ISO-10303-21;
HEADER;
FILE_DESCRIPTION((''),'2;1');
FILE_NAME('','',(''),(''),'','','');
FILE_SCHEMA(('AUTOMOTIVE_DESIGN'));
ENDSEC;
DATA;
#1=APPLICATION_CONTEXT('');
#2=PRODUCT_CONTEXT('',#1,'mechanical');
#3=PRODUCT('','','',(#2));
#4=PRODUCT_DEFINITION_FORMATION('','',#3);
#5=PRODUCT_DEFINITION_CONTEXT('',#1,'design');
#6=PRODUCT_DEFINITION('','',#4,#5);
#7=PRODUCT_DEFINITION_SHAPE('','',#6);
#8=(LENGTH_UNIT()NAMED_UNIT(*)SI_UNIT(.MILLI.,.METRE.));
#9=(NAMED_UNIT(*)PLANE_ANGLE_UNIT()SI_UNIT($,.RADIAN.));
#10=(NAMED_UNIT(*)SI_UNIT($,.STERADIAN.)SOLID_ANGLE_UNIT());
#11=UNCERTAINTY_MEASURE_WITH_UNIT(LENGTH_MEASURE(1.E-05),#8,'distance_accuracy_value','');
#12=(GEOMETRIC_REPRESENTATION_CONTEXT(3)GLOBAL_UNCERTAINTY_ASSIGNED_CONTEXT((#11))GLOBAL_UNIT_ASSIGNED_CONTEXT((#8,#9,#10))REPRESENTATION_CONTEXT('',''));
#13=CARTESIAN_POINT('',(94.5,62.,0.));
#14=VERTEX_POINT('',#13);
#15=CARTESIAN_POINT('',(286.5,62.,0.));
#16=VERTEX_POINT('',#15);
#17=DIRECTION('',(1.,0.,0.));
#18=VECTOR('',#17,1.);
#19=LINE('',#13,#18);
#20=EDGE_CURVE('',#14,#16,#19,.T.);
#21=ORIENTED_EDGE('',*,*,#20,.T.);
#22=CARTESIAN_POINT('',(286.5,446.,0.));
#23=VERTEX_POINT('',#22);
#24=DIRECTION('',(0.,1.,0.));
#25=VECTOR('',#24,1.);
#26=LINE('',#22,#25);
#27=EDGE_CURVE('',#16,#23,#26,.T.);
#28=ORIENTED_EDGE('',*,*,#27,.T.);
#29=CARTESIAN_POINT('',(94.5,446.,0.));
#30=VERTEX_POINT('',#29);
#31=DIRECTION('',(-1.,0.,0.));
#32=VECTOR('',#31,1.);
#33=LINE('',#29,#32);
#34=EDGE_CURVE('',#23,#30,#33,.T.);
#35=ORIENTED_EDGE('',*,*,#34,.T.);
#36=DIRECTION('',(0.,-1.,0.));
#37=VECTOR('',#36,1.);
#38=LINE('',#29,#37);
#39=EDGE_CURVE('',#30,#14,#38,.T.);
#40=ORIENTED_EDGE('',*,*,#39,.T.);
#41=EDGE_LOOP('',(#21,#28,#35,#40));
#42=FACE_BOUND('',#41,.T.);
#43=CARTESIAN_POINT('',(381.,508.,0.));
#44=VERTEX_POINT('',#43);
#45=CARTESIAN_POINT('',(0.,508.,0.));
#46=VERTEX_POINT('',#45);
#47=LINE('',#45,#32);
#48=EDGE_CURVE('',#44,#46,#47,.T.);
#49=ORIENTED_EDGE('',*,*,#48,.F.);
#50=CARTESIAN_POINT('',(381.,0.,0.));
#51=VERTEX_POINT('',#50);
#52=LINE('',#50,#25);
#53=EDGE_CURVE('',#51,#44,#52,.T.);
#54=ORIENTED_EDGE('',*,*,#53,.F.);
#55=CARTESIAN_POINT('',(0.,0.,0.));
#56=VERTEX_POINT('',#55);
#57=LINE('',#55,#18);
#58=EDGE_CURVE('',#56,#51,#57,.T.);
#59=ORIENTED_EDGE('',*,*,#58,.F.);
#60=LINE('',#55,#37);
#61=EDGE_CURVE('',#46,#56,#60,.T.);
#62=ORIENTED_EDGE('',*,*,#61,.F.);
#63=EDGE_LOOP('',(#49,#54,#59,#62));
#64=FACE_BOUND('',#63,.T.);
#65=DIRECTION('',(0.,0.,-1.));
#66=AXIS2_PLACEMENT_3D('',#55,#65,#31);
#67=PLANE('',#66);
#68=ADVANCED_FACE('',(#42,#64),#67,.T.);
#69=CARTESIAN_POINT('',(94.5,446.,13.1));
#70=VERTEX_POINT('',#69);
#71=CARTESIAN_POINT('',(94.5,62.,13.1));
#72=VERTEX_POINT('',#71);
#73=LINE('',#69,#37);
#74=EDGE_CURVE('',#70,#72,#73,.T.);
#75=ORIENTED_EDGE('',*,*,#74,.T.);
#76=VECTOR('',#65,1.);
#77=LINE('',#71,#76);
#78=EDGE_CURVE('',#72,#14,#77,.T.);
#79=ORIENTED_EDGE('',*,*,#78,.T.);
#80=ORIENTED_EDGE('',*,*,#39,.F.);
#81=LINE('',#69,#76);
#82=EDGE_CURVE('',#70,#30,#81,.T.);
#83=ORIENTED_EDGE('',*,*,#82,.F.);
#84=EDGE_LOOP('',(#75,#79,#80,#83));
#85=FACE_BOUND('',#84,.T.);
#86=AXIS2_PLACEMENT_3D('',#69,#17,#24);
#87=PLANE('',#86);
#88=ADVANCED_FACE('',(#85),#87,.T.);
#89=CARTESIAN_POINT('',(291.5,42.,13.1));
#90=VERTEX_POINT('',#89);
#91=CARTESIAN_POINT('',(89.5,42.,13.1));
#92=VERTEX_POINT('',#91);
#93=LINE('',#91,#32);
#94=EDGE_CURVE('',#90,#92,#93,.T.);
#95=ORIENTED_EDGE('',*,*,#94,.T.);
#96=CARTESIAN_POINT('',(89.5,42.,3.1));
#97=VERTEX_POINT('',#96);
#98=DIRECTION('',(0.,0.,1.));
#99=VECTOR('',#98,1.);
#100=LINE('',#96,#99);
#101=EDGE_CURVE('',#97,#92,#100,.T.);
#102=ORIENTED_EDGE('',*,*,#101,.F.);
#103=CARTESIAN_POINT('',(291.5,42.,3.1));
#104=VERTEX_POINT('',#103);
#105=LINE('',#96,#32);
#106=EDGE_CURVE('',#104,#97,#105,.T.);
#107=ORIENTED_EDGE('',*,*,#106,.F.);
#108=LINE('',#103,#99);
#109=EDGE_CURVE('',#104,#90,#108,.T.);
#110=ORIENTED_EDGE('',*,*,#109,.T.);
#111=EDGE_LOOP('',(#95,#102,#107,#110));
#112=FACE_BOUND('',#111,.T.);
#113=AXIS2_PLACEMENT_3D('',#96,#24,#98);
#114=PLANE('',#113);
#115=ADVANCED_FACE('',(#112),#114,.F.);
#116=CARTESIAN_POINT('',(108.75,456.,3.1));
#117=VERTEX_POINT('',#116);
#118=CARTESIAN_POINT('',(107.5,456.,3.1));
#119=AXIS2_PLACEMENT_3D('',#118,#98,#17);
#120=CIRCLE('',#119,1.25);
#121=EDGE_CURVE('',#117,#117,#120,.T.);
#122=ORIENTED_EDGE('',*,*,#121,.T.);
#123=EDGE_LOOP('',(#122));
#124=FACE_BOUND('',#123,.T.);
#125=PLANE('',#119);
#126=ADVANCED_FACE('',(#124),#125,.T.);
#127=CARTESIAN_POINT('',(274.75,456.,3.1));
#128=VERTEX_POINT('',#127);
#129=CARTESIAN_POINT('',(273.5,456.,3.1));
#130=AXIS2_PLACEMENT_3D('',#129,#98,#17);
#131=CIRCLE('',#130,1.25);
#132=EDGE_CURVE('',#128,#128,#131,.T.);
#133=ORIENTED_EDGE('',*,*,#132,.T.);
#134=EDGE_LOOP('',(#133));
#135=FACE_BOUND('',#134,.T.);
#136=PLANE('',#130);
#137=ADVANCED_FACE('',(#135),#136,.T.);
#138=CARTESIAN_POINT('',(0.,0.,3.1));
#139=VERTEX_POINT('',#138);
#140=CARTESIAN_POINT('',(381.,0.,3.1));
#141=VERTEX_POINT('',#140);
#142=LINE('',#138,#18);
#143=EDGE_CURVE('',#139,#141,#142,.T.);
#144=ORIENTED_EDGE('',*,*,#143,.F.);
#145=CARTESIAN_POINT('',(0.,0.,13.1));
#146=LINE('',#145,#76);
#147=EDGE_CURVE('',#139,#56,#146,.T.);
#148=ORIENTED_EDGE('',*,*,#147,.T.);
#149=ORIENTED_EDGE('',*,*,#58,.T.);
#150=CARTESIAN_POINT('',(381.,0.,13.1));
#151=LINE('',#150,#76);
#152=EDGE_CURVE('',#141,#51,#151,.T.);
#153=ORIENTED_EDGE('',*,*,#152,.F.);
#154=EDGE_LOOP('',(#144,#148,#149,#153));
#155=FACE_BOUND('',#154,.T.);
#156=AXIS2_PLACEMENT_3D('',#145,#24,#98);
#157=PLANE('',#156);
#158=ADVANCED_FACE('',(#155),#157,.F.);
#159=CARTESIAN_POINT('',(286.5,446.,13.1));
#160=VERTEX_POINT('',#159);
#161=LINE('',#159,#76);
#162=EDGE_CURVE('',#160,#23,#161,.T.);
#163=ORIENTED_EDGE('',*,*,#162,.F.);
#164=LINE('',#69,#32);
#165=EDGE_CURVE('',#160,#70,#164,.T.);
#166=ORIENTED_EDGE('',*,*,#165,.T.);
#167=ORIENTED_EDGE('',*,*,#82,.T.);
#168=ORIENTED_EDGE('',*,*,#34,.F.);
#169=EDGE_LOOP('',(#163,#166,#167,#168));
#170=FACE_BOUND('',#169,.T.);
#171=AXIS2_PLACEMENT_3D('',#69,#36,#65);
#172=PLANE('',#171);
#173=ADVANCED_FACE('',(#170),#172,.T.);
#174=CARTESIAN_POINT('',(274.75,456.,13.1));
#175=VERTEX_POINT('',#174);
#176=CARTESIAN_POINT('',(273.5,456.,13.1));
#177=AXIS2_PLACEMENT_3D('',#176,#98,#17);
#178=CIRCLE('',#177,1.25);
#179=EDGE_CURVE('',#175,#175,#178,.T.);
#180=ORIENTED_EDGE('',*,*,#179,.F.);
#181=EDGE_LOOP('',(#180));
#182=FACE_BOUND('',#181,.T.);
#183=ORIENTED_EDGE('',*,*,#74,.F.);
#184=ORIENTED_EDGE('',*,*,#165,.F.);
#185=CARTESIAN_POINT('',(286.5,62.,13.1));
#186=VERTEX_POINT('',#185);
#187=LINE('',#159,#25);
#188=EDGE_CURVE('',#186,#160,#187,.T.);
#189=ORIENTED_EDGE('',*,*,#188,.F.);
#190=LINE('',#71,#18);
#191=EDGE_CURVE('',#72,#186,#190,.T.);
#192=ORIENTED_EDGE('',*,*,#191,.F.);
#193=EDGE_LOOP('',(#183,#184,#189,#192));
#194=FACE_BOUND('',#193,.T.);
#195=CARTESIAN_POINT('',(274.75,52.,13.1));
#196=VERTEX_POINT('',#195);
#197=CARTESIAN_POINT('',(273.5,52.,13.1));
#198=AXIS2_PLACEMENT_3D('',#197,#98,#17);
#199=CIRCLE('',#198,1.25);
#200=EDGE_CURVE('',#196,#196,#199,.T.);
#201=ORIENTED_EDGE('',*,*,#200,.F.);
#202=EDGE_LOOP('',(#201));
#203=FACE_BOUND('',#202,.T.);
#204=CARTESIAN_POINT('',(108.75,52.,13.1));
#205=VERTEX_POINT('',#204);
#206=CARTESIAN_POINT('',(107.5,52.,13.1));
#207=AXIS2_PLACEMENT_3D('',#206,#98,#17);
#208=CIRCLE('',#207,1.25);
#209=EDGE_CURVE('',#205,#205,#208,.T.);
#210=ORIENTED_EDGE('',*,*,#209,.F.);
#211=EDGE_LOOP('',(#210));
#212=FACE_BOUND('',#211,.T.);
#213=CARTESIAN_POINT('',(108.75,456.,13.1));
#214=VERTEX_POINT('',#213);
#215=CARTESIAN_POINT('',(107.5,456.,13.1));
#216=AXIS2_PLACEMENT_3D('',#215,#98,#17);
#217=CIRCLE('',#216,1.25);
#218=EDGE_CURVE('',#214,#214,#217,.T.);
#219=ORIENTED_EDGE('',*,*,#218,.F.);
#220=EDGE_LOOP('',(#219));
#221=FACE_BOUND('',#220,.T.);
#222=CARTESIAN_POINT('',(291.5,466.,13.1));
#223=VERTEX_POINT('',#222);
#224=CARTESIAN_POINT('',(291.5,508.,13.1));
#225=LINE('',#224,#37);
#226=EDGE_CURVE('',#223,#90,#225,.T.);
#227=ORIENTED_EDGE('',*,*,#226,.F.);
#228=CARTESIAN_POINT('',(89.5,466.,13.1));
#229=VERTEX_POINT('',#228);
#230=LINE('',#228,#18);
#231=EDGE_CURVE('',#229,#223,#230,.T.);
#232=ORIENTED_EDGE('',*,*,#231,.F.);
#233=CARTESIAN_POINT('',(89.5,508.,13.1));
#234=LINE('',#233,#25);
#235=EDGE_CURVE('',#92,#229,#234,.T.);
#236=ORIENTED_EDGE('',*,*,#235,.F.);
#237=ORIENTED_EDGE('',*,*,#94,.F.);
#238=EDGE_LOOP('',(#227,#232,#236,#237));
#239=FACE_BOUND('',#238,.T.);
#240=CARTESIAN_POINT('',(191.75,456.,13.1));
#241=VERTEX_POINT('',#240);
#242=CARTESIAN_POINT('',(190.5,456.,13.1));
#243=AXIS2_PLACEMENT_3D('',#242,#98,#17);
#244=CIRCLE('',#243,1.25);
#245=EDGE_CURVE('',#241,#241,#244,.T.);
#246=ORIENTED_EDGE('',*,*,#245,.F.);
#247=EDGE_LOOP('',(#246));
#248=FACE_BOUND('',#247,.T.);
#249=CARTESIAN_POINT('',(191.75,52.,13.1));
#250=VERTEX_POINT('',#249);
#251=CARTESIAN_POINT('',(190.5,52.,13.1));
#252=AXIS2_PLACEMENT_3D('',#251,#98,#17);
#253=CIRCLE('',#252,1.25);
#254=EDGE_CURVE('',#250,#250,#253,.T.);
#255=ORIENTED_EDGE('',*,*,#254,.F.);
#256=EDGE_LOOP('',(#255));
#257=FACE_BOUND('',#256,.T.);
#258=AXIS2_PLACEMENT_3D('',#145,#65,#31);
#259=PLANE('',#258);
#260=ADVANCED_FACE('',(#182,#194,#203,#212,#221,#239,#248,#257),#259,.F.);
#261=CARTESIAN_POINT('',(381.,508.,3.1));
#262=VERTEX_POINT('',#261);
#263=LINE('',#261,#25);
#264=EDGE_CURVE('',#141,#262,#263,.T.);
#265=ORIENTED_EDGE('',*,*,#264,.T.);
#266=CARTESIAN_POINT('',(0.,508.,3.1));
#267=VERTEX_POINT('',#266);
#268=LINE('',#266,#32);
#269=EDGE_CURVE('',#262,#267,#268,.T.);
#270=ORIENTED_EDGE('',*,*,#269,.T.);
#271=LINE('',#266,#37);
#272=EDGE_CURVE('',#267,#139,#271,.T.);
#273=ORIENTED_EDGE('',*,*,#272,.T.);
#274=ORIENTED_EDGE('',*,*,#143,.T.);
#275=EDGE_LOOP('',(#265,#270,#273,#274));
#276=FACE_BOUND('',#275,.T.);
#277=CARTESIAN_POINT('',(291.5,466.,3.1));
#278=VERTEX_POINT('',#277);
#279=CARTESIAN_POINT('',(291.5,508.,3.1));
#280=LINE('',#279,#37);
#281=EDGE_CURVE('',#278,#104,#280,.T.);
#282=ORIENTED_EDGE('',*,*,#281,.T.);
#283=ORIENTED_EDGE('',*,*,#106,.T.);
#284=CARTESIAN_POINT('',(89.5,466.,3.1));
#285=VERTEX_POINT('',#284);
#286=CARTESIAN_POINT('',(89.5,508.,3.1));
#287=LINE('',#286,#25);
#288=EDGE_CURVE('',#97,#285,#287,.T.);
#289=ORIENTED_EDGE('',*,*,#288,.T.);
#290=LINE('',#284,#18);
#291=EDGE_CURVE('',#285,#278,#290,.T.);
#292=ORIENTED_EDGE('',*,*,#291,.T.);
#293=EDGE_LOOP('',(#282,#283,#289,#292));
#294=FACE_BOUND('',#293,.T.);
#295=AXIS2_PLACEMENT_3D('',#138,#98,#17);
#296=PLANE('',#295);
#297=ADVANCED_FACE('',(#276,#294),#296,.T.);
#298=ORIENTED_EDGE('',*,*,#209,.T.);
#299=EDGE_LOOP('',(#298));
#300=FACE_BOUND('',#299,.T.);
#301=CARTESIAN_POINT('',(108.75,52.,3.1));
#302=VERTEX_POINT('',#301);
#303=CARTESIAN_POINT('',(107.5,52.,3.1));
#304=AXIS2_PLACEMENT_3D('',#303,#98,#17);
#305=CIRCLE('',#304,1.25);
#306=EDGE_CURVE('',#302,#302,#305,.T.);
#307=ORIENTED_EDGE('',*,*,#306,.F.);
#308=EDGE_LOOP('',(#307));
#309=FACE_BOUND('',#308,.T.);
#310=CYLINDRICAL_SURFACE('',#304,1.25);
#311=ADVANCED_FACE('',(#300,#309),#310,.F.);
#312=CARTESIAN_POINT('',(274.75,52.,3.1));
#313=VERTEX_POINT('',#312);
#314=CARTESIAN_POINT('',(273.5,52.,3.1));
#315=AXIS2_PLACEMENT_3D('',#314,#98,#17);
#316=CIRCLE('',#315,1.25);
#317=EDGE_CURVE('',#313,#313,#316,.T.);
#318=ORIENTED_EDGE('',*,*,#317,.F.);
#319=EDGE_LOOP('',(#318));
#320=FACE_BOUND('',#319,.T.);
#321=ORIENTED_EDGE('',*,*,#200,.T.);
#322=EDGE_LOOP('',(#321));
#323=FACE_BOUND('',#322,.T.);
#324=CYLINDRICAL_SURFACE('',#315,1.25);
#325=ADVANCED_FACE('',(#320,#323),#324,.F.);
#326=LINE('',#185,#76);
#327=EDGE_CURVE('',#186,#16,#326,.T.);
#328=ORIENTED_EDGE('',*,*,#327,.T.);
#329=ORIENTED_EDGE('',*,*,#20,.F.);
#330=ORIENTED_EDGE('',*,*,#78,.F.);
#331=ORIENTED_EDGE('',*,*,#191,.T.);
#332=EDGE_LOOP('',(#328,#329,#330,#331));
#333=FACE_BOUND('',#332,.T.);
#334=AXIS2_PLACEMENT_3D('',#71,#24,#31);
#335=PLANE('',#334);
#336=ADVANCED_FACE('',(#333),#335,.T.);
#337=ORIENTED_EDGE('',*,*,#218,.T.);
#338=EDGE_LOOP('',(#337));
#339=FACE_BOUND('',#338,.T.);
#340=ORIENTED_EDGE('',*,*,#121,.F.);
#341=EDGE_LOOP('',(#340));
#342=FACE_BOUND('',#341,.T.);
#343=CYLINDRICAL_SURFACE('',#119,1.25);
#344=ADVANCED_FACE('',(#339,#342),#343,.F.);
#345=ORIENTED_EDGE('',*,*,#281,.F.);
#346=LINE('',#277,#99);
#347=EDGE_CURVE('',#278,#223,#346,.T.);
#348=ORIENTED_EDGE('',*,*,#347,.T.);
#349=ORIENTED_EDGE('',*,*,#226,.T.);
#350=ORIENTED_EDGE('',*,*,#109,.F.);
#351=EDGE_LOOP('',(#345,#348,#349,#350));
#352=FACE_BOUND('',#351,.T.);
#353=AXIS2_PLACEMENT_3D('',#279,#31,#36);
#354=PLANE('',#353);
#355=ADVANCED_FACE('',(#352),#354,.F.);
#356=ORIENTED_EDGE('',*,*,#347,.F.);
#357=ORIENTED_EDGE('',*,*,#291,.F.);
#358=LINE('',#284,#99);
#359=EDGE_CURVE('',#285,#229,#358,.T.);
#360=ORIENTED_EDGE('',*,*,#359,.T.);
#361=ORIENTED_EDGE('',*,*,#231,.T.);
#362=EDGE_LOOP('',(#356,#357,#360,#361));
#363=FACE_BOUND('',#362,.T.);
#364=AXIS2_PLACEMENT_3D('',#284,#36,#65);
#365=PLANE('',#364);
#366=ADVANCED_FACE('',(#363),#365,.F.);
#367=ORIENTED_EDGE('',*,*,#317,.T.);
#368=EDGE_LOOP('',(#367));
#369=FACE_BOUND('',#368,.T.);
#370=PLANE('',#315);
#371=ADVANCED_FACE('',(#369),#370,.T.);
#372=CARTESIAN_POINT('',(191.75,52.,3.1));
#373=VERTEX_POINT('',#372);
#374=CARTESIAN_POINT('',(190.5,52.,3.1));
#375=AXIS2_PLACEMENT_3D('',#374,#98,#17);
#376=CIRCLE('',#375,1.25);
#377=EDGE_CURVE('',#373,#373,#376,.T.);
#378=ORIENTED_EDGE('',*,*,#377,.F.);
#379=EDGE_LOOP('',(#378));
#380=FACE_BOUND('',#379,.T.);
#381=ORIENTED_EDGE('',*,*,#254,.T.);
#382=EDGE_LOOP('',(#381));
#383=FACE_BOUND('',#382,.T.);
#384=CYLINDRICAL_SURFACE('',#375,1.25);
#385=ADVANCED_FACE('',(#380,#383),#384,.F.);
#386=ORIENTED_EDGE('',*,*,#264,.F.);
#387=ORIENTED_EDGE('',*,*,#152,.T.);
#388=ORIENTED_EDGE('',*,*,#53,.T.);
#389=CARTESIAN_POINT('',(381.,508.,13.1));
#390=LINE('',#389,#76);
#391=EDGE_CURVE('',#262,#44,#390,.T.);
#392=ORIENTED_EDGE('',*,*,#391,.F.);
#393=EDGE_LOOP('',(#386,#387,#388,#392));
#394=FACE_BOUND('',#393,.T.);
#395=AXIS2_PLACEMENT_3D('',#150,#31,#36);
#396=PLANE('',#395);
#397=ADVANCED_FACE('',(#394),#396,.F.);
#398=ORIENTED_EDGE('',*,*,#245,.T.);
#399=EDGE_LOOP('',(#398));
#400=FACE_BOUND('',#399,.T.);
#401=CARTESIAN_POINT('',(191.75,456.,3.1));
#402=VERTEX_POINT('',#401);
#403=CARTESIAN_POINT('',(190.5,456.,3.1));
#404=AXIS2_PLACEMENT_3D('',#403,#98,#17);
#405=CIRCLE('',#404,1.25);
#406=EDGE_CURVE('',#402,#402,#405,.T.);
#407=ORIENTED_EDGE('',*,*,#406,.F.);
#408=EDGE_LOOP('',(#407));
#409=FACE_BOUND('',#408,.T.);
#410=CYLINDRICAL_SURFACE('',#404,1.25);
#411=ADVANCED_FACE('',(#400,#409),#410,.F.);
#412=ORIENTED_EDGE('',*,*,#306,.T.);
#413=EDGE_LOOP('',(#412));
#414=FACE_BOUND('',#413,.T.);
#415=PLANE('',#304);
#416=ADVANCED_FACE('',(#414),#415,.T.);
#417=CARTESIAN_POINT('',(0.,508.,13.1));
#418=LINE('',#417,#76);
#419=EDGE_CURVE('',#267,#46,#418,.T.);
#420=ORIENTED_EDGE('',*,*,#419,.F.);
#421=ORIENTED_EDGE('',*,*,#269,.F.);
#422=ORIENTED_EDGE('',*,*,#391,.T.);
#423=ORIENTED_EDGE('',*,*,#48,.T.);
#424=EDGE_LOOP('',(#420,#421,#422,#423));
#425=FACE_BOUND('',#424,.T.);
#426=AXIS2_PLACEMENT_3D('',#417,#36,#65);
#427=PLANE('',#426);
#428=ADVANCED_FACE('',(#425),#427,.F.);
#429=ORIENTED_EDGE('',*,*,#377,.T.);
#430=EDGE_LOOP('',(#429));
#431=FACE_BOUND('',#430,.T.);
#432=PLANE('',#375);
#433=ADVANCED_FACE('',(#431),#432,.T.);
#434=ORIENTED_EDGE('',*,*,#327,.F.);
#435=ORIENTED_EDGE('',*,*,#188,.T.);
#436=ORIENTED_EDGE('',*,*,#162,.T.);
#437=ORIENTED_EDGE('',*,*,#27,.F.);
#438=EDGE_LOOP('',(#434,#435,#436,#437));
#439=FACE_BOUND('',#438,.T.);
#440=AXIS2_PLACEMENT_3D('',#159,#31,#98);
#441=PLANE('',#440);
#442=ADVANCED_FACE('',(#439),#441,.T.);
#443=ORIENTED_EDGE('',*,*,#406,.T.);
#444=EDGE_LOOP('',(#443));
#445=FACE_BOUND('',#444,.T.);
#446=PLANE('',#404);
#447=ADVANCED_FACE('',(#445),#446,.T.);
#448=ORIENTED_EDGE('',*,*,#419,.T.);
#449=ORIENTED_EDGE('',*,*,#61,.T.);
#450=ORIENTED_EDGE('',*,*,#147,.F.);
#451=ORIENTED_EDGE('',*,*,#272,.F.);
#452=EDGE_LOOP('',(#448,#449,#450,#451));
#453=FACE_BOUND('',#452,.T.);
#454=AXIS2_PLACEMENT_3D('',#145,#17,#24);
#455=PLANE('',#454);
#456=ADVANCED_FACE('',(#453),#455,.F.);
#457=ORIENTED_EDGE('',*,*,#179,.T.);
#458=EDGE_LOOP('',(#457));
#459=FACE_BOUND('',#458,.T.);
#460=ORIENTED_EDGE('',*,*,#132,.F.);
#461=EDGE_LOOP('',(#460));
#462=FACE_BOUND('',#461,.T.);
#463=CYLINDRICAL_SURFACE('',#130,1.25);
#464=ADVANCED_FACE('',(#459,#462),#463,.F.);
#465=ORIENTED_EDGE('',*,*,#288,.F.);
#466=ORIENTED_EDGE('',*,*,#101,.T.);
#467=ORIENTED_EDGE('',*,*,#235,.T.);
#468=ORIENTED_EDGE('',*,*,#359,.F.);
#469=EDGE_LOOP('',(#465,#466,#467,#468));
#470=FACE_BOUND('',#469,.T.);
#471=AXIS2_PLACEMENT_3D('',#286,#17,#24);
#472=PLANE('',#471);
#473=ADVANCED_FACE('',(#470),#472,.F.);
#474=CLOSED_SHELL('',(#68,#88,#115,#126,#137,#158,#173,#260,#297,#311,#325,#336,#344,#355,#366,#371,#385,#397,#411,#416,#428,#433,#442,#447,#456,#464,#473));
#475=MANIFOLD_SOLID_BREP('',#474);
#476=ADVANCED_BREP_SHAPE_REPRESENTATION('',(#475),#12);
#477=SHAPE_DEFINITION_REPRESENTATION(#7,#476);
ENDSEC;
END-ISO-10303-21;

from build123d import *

# Parameters (mm, degrees)
SKETCH1_W           = 381
SKETCH1_H           = 508
SKETCH1_W_2         = 192
SKETCH1_H_2         = 384
BOSS_EXTRUDE1_DEPTH = 13.1
SKETCH11_R          = 1.25
CUT_EXTRUDE4_DEPTH  = 10
SKETCH12_R          = 1.25
CUT_EXTRUDE5_DEPTH  = 10
SKETCH19_R          = 1.25
CUT_EXTRUDE6_DEPTH  = 10
SKETCH20_W          = 89.5
SKETCH20_H          = 508
CUT_EXTRUDE7_DEPTH  = 10
SKETCH21_W          = 202
SKETCH21_H          = 42
CUT_EXTRUDE8_DEPTH  = 10


with BuildPart() as part:
    # Sketch1 → Boss-Extrude1 (new body)
    with BuildSketch(Plane.XY):
        with Locations((190.5, 254)):
            Rectangle(SKETCH1_W, SKETCH1_H)
        with Locations((190.5, 254)):
            Rectangle(SKETCH1_W_2, SKETCH1_H_2, mode=Mode.SUBTRACT)
    extrude(amount=BOSS_EXTRUDE1_DEPTH)

    # Sketch11 → Cut-Extrude4 (cut)
    with BuildSketch(Plane.XY.offset(13.1)):
        with Locations((107.5, 456)):
            Circle(SKETCH11_R)
    extrude(amount=-CUT_EXTRUDE4_DEPTH, mode=Mode.SUBTRACT)

    # Sketch12 → Cut-Extrude5 (cut)
    with BuildSketch(Plane.XY.offset(13.1)):
        with Locations((273.5, 456)):
            Circle(SKETCH12_R)
        with Locations((107.5, 52)):
            Circle(SKETCH12_R)
        with Locations((273.5, 52)):
            Circle(SKETCH12_R)
    extrude(amount=-CUT_EXTRUDE5_DEPTH, mode=Mode.SUBTRACT)

    # Sketch19 → Cut-Extrude6 (cut)
    with BuildSketch(Plane.XY.offset(13.1)):
        with Locations((190.5, 456)):
            Circle(SKETCH19_R)
        with Locations((190.5, 52)):
            Circle(SKETCH19_R)
    extrude(amount=-CUT_EXTRUDE6_DEPTH, mode=Mode.SUBTRACT)

    # Sketch20 → Cut-Extrude7 (cut)
    with BuildSketch(Plane.XY.offset(13.1)):
        with Locations((44.75, 254)):
            Rectangle(SKETCH20_W, SKETCH20_H)
        with Locations((336.25, 254)):
            Rectangle(SKETCH20_W, SKETCH20_H)
    extrude(amount=-CUT_EXTRUDE7_DEPTH, mode=Mode.SUBTRACT)

    # Sketch21 → Cut-Extrude8 (cut)
    with BuildSketch(Plane.XY.offset(13.1)):
        with Locations((190.5, 487)):
            Rectangle(SKETCH21_W, SKETCH21_H)
        with Locations((190.5, 21)):
            Rectangle(SKETCH21_W, SKETCH21_H)
    extrude(amount=-CUT_EXTRUDE8_DEPTH, mode=Mode.SUBTRACT)


solid = part.part
